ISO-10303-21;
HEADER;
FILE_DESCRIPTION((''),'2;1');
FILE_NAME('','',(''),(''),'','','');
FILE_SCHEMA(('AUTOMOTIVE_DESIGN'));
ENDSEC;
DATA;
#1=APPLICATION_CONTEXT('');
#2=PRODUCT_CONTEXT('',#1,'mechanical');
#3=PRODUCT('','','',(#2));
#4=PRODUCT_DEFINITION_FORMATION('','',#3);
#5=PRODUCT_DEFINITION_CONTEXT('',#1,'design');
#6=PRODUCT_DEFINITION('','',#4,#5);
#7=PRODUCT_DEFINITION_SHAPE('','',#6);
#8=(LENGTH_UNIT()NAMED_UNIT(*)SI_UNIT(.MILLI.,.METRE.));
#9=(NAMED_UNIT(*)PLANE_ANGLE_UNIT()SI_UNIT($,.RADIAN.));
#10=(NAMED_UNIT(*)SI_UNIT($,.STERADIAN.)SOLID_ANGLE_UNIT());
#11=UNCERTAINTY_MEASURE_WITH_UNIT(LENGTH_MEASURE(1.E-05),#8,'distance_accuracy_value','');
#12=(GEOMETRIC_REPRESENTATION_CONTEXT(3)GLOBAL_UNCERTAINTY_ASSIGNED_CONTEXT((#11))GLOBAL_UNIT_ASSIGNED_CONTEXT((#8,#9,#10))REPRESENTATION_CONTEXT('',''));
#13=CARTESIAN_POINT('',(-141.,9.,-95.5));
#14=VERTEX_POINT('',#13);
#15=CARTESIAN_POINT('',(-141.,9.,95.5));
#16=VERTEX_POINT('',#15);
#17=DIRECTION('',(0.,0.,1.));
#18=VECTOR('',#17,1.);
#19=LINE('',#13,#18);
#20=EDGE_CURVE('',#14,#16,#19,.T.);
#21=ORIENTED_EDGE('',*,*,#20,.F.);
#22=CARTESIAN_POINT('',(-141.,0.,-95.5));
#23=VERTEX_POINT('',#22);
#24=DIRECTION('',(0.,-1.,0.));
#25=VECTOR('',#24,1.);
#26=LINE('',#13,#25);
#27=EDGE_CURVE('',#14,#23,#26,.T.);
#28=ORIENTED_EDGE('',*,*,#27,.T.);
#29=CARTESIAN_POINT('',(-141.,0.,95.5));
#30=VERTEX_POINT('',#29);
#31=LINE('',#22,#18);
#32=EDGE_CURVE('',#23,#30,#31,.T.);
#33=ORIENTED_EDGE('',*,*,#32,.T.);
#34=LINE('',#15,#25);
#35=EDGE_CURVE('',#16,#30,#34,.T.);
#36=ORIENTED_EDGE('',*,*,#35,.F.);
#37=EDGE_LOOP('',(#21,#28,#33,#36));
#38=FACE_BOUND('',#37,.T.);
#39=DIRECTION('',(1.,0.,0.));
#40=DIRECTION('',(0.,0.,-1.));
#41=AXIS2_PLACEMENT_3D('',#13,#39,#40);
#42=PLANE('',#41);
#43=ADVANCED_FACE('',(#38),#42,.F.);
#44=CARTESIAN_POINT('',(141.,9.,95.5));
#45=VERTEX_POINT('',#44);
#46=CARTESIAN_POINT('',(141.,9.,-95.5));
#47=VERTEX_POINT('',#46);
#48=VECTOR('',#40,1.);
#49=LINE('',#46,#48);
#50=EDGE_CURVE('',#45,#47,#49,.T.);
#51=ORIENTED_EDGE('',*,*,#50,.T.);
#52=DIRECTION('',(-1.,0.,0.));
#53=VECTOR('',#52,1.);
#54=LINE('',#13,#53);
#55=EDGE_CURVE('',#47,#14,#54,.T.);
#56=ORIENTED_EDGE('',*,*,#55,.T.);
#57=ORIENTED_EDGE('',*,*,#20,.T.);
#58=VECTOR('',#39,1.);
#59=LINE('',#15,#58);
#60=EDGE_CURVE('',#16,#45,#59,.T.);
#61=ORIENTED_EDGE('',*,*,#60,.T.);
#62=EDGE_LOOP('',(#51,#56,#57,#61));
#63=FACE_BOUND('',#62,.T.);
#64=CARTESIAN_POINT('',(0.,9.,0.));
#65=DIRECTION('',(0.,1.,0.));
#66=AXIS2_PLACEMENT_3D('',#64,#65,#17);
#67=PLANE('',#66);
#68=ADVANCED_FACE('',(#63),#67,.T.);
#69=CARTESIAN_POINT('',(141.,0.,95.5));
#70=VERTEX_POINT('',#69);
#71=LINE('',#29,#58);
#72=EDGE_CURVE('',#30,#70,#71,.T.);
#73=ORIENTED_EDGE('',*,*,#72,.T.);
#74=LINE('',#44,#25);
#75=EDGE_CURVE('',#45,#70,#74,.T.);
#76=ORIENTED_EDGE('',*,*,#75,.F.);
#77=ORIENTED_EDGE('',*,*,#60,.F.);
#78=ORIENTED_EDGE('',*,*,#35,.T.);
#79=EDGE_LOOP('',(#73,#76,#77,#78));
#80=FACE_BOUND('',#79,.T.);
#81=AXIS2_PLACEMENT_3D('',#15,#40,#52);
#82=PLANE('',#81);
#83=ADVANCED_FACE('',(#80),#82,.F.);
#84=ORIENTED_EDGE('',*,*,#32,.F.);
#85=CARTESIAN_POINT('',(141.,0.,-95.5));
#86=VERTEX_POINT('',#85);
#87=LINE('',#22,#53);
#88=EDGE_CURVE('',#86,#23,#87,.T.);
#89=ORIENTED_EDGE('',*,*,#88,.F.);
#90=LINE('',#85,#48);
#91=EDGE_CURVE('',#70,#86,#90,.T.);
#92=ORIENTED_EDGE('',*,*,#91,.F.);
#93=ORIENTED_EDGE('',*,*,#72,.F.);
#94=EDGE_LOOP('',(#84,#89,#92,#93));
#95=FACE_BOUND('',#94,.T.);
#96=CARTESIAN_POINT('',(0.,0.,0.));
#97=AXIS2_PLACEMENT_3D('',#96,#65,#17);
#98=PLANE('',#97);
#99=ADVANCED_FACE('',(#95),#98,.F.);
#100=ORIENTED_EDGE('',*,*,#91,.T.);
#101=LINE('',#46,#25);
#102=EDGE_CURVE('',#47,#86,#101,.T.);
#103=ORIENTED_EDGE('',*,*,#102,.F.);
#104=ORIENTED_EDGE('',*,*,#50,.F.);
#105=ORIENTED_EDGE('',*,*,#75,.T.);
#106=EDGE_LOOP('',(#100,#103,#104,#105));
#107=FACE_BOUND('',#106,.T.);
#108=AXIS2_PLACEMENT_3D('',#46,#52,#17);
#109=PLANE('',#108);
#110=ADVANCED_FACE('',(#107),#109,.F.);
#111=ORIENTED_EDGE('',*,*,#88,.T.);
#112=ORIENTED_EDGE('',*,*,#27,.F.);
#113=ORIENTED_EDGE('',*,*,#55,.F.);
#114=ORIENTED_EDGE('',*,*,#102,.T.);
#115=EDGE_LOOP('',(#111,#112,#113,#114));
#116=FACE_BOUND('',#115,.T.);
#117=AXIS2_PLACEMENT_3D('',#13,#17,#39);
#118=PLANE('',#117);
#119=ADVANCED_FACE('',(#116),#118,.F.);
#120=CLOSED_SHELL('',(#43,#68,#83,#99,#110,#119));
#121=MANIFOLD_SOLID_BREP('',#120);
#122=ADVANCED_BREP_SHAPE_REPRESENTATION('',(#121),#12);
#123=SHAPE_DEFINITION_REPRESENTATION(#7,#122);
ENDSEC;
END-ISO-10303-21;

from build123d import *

# Parameters (mm, degrees)
SKETCH_1_W      = 282
SKETCH_1_H      = 191
EXTRUDE_1_DEPTH = 9


with BuildPart() as part:
    # 草图1 → 凸台-拉伸1 (new body)
    with BuildSketch(Plane(origin=(0, 0, 0), x_dir=(1, 0, 0), z_dir=(0, 1, 0))):
        Rectangle(SKETCH_1_W, SKETCH_1_H)
    extrude(amount=EXTRUDE_1_DEPTH)


solid = part.part
